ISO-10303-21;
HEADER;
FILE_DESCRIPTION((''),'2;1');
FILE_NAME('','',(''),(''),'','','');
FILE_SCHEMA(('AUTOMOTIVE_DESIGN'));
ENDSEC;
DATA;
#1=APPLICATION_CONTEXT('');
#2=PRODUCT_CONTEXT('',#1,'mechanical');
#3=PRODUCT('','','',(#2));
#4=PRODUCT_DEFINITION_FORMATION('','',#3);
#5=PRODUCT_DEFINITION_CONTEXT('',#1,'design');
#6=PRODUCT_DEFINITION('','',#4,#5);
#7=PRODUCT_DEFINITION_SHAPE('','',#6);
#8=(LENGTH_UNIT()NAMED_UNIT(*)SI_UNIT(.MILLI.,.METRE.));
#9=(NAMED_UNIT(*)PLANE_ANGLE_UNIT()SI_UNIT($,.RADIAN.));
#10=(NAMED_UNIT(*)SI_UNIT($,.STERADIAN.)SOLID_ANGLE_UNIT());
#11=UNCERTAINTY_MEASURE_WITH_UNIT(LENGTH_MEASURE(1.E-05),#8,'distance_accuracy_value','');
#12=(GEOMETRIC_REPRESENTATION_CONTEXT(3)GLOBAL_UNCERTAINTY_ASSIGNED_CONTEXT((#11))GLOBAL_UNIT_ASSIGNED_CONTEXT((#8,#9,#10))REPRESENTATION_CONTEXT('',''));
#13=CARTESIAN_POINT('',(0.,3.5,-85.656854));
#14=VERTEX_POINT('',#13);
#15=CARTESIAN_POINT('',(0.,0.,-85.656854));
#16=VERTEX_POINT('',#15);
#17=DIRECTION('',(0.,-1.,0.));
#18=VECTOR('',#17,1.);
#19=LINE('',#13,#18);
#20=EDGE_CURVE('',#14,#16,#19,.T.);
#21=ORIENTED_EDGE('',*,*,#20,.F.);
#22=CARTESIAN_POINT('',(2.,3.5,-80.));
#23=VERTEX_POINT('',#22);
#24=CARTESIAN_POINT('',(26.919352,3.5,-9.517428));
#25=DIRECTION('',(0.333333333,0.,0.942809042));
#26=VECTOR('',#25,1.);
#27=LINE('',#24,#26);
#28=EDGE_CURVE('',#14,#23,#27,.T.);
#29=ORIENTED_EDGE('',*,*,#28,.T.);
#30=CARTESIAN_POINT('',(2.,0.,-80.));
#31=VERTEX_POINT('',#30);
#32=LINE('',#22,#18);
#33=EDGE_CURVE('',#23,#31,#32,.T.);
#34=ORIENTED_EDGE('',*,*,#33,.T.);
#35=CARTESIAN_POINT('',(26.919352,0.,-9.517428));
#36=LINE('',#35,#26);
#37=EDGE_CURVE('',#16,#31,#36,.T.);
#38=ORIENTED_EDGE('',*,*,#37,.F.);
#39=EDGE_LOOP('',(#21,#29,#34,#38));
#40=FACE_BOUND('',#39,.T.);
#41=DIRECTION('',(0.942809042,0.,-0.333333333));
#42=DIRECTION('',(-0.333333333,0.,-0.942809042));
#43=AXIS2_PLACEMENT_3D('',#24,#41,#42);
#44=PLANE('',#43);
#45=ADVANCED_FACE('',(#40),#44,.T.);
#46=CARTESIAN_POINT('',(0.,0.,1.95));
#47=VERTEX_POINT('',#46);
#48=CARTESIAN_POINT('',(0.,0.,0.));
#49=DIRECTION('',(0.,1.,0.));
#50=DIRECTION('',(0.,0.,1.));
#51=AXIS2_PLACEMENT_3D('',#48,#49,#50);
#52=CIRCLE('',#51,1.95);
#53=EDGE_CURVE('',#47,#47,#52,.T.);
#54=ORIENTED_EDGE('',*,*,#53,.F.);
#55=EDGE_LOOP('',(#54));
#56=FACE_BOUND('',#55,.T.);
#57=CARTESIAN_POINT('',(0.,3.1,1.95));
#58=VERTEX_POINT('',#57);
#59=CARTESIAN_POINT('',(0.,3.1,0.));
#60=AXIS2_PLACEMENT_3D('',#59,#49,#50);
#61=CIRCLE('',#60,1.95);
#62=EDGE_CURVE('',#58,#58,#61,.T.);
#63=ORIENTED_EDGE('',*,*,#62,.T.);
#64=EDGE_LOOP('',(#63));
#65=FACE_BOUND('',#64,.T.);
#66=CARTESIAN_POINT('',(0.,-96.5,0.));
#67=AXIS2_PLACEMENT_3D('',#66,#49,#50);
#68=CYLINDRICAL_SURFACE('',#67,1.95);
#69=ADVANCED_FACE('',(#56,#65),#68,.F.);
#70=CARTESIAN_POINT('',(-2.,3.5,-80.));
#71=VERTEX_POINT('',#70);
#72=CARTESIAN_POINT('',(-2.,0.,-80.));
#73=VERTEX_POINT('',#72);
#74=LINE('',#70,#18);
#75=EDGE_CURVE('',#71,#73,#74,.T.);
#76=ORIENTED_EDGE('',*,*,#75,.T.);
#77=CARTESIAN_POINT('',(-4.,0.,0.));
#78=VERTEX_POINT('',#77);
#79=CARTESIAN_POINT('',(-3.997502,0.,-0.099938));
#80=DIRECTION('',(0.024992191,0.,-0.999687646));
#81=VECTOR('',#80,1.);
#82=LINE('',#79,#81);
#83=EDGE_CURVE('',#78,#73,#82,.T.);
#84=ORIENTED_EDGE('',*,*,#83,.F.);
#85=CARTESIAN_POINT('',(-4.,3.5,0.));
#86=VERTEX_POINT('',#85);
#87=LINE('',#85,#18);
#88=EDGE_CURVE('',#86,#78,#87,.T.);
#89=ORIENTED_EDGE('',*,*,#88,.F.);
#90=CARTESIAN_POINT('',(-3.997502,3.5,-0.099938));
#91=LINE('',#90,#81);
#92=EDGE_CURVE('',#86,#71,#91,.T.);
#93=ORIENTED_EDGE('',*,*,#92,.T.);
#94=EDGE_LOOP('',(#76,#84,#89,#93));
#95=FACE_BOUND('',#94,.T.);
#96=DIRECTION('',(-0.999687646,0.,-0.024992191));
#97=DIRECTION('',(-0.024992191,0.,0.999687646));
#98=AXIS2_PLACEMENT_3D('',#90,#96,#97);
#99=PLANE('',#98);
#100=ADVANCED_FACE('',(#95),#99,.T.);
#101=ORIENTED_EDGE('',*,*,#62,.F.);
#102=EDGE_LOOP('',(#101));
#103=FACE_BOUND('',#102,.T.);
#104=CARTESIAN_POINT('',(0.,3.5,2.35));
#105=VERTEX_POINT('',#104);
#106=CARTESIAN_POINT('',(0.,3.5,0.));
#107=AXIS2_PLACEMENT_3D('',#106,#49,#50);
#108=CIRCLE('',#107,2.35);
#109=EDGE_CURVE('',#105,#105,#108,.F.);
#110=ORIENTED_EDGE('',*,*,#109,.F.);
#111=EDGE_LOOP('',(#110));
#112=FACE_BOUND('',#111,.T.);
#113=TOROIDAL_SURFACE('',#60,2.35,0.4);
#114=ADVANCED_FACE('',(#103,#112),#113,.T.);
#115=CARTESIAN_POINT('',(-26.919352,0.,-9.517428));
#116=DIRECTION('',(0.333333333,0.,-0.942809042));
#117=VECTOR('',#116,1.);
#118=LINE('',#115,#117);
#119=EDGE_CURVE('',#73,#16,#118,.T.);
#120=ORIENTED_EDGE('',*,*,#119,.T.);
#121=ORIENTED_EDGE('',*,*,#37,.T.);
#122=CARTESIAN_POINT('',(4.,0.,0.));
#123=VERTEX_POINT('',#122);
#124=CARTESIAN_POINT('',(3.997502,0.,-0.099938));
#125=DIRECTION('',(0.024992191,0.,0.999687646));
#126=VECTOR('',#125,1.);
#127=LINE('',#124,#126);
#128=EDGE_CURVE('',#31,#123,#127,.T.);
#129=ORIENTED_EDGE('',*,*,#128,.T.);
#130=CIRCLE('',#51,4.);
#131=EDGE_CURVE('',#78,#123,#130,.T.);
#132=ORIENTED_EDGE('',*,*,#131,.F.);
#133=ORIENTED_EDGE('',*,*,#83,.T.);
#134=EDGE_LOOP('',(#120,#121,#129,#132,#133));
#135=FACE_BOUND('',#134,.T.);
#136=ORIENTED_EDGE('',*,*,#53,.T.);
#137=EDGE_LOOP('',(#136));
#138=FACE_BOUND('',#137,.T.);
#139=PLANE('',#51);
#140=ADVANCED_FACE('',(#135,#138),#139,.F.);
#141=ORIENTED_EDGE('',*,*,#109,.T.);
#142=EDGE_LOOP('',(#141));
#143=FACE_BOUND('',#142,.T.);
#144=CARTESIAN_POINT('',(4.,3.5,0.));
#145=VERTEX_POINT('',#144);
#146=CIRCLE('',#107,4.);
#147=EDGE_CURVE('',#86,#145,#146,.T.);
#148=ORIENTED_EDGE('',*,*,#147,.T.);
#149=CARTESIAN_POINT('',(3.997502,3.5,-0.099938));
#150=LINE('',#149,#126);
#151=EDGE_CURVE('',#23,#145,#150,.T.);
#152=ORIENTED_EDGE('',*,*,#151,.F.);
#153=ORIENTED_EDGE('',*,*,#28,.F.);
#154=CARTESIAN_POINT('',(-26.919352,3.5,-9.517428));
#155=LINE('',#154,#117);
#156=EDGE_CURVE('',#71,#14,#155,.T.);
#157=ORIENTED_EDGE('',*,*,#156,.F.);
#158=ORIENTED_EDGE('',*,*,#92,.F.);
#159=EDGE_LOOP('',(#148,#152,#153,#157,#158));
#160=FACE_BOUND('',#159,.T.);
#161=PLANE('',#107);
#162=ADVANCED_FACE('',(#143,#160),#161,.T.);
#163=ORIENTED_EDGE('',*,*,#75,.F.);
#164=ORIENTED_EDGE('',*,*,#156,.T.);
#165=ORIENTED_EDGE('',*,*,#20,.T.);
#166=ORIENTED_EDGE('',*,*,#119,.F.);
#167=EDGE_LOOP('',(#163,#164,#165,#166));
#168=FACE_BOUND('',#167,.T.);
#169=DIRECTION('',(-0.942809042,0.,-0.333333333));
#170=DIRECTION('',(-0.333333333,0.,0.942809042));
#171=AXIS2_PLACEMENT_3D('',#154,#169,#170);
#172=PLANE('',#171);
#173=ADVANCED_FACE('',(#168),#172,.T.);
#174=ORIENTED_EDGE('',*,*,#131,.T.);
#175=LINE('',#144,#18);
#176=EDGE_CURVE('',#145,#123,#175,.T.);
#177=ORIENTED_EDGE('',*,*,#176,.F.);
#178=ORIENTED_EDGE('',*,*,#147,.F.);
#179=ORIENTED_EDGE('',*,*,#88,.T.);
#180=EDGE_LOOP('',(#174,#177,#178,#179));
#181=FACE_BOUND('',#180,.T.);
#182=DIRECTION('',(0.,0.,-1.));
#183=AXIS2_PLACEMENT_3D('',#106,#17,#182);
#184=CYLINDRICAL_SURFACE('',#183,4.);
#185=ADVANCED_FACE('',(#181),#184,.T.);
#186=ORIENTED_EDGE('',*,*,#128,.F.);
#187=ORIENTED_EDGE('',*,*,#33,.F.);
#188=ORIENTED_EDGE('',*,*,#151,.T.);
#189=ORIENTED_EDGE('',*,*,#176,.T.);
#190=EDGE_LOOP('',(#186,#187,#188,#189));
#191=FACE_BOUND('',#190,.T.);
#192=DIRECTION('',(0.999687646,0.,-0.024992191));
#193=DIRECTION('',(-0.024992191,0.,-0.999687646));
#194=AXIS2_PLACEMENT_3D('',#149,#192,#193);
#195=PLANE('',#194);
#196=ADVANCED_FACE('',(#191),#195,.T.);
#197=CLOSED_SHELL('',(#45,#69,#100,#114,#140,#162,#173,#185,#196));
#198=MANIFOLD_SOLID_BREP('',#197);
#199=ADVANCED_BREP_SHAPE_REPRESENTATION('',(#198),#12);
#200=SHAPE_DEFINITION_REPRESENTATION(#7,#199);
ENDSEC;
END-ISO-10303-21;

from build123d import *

# Parameters (mm, degrees)
SKICA1_R                 = 1.75
P_IDAT_VYSUNUT_M1_DEPTH  = 3.5
SKICA2_R                 = 1.95
ODEBRAT_VYSUNUT_M1_DEPTH = 100
ZAOBLIT1_R               = 0.4


with BuildPart() as part:
    # Skica1 → Přidat vysunutím1 (new body)
    # profile 1 of 2: a face of its own
    with BuildSketch(Plane(origin=(0, 0, 0), x_dir=(1, 0, 0), z_dir=(0, 1, 0))):
        with BuildLine():
            Line((-2, 80), (-3.995003123, 0.199875078))
            ThreePointArc((-3.995003123, 0.199875078), (0, 4), (3.995003123, 0.199875078))
            Line((3.995003123, 0.199875078), (2, 80))
            Line((2, 80), (0, 85.656854249))
            Line((0, 85.656854249), (-2, 80))
        make_face()
    # profile 2 of 2: a face of its own
    with BuildSketch(Plane(origin=(0, 0, 0), x_dir=(1, 0, 0), z_dir=(0, 1, 0))):
        with BuildLine():
            Line((-3.995003123, 0.199875078), (-4, 0))
            ThreePointArc((-4, 0), (0, -4), (4, 0))
            Line((4, 0), (3.995003123, 0.199875078))
            ThreePointArc((3.995003123, 0.199875078), (0, 4), (-3.995003123, 0.199875078))
        make_face()
        with Locations(Location((0, 0, 0), (0, 0, 270))):
            Circle(SKICA1_R, mode=Mode.SUBTRACT)
    extrude(amount=P_IDAT_VYSUNUT_M1_DEPTH)

    # Skica2 → Odebrat vysunutím1 (cut)
    with BuildSketch(Plane(origin=(0, 3.5, 0), x_dir=(1, 0, 0), z_dir=(0, 1, 0))):
        with Locations(Location((0, 0, 0), (0, 0, 270))):
            Circle(SKICA2_R)
    extrude(amount=-ODEBRAT_VYSUNUT_M1_DEPTH, mode=Mode.SUBTRACT)

    # Zaoblit1
    zaoblit1_edges = [part.edges().sort_by_distance(p)[0] for p in [
        (0, 3.5, -1.95),
    ]]
    fillet(zaoblit1_edges, radius=ZAOBLIT1_R)


solid = part.part
